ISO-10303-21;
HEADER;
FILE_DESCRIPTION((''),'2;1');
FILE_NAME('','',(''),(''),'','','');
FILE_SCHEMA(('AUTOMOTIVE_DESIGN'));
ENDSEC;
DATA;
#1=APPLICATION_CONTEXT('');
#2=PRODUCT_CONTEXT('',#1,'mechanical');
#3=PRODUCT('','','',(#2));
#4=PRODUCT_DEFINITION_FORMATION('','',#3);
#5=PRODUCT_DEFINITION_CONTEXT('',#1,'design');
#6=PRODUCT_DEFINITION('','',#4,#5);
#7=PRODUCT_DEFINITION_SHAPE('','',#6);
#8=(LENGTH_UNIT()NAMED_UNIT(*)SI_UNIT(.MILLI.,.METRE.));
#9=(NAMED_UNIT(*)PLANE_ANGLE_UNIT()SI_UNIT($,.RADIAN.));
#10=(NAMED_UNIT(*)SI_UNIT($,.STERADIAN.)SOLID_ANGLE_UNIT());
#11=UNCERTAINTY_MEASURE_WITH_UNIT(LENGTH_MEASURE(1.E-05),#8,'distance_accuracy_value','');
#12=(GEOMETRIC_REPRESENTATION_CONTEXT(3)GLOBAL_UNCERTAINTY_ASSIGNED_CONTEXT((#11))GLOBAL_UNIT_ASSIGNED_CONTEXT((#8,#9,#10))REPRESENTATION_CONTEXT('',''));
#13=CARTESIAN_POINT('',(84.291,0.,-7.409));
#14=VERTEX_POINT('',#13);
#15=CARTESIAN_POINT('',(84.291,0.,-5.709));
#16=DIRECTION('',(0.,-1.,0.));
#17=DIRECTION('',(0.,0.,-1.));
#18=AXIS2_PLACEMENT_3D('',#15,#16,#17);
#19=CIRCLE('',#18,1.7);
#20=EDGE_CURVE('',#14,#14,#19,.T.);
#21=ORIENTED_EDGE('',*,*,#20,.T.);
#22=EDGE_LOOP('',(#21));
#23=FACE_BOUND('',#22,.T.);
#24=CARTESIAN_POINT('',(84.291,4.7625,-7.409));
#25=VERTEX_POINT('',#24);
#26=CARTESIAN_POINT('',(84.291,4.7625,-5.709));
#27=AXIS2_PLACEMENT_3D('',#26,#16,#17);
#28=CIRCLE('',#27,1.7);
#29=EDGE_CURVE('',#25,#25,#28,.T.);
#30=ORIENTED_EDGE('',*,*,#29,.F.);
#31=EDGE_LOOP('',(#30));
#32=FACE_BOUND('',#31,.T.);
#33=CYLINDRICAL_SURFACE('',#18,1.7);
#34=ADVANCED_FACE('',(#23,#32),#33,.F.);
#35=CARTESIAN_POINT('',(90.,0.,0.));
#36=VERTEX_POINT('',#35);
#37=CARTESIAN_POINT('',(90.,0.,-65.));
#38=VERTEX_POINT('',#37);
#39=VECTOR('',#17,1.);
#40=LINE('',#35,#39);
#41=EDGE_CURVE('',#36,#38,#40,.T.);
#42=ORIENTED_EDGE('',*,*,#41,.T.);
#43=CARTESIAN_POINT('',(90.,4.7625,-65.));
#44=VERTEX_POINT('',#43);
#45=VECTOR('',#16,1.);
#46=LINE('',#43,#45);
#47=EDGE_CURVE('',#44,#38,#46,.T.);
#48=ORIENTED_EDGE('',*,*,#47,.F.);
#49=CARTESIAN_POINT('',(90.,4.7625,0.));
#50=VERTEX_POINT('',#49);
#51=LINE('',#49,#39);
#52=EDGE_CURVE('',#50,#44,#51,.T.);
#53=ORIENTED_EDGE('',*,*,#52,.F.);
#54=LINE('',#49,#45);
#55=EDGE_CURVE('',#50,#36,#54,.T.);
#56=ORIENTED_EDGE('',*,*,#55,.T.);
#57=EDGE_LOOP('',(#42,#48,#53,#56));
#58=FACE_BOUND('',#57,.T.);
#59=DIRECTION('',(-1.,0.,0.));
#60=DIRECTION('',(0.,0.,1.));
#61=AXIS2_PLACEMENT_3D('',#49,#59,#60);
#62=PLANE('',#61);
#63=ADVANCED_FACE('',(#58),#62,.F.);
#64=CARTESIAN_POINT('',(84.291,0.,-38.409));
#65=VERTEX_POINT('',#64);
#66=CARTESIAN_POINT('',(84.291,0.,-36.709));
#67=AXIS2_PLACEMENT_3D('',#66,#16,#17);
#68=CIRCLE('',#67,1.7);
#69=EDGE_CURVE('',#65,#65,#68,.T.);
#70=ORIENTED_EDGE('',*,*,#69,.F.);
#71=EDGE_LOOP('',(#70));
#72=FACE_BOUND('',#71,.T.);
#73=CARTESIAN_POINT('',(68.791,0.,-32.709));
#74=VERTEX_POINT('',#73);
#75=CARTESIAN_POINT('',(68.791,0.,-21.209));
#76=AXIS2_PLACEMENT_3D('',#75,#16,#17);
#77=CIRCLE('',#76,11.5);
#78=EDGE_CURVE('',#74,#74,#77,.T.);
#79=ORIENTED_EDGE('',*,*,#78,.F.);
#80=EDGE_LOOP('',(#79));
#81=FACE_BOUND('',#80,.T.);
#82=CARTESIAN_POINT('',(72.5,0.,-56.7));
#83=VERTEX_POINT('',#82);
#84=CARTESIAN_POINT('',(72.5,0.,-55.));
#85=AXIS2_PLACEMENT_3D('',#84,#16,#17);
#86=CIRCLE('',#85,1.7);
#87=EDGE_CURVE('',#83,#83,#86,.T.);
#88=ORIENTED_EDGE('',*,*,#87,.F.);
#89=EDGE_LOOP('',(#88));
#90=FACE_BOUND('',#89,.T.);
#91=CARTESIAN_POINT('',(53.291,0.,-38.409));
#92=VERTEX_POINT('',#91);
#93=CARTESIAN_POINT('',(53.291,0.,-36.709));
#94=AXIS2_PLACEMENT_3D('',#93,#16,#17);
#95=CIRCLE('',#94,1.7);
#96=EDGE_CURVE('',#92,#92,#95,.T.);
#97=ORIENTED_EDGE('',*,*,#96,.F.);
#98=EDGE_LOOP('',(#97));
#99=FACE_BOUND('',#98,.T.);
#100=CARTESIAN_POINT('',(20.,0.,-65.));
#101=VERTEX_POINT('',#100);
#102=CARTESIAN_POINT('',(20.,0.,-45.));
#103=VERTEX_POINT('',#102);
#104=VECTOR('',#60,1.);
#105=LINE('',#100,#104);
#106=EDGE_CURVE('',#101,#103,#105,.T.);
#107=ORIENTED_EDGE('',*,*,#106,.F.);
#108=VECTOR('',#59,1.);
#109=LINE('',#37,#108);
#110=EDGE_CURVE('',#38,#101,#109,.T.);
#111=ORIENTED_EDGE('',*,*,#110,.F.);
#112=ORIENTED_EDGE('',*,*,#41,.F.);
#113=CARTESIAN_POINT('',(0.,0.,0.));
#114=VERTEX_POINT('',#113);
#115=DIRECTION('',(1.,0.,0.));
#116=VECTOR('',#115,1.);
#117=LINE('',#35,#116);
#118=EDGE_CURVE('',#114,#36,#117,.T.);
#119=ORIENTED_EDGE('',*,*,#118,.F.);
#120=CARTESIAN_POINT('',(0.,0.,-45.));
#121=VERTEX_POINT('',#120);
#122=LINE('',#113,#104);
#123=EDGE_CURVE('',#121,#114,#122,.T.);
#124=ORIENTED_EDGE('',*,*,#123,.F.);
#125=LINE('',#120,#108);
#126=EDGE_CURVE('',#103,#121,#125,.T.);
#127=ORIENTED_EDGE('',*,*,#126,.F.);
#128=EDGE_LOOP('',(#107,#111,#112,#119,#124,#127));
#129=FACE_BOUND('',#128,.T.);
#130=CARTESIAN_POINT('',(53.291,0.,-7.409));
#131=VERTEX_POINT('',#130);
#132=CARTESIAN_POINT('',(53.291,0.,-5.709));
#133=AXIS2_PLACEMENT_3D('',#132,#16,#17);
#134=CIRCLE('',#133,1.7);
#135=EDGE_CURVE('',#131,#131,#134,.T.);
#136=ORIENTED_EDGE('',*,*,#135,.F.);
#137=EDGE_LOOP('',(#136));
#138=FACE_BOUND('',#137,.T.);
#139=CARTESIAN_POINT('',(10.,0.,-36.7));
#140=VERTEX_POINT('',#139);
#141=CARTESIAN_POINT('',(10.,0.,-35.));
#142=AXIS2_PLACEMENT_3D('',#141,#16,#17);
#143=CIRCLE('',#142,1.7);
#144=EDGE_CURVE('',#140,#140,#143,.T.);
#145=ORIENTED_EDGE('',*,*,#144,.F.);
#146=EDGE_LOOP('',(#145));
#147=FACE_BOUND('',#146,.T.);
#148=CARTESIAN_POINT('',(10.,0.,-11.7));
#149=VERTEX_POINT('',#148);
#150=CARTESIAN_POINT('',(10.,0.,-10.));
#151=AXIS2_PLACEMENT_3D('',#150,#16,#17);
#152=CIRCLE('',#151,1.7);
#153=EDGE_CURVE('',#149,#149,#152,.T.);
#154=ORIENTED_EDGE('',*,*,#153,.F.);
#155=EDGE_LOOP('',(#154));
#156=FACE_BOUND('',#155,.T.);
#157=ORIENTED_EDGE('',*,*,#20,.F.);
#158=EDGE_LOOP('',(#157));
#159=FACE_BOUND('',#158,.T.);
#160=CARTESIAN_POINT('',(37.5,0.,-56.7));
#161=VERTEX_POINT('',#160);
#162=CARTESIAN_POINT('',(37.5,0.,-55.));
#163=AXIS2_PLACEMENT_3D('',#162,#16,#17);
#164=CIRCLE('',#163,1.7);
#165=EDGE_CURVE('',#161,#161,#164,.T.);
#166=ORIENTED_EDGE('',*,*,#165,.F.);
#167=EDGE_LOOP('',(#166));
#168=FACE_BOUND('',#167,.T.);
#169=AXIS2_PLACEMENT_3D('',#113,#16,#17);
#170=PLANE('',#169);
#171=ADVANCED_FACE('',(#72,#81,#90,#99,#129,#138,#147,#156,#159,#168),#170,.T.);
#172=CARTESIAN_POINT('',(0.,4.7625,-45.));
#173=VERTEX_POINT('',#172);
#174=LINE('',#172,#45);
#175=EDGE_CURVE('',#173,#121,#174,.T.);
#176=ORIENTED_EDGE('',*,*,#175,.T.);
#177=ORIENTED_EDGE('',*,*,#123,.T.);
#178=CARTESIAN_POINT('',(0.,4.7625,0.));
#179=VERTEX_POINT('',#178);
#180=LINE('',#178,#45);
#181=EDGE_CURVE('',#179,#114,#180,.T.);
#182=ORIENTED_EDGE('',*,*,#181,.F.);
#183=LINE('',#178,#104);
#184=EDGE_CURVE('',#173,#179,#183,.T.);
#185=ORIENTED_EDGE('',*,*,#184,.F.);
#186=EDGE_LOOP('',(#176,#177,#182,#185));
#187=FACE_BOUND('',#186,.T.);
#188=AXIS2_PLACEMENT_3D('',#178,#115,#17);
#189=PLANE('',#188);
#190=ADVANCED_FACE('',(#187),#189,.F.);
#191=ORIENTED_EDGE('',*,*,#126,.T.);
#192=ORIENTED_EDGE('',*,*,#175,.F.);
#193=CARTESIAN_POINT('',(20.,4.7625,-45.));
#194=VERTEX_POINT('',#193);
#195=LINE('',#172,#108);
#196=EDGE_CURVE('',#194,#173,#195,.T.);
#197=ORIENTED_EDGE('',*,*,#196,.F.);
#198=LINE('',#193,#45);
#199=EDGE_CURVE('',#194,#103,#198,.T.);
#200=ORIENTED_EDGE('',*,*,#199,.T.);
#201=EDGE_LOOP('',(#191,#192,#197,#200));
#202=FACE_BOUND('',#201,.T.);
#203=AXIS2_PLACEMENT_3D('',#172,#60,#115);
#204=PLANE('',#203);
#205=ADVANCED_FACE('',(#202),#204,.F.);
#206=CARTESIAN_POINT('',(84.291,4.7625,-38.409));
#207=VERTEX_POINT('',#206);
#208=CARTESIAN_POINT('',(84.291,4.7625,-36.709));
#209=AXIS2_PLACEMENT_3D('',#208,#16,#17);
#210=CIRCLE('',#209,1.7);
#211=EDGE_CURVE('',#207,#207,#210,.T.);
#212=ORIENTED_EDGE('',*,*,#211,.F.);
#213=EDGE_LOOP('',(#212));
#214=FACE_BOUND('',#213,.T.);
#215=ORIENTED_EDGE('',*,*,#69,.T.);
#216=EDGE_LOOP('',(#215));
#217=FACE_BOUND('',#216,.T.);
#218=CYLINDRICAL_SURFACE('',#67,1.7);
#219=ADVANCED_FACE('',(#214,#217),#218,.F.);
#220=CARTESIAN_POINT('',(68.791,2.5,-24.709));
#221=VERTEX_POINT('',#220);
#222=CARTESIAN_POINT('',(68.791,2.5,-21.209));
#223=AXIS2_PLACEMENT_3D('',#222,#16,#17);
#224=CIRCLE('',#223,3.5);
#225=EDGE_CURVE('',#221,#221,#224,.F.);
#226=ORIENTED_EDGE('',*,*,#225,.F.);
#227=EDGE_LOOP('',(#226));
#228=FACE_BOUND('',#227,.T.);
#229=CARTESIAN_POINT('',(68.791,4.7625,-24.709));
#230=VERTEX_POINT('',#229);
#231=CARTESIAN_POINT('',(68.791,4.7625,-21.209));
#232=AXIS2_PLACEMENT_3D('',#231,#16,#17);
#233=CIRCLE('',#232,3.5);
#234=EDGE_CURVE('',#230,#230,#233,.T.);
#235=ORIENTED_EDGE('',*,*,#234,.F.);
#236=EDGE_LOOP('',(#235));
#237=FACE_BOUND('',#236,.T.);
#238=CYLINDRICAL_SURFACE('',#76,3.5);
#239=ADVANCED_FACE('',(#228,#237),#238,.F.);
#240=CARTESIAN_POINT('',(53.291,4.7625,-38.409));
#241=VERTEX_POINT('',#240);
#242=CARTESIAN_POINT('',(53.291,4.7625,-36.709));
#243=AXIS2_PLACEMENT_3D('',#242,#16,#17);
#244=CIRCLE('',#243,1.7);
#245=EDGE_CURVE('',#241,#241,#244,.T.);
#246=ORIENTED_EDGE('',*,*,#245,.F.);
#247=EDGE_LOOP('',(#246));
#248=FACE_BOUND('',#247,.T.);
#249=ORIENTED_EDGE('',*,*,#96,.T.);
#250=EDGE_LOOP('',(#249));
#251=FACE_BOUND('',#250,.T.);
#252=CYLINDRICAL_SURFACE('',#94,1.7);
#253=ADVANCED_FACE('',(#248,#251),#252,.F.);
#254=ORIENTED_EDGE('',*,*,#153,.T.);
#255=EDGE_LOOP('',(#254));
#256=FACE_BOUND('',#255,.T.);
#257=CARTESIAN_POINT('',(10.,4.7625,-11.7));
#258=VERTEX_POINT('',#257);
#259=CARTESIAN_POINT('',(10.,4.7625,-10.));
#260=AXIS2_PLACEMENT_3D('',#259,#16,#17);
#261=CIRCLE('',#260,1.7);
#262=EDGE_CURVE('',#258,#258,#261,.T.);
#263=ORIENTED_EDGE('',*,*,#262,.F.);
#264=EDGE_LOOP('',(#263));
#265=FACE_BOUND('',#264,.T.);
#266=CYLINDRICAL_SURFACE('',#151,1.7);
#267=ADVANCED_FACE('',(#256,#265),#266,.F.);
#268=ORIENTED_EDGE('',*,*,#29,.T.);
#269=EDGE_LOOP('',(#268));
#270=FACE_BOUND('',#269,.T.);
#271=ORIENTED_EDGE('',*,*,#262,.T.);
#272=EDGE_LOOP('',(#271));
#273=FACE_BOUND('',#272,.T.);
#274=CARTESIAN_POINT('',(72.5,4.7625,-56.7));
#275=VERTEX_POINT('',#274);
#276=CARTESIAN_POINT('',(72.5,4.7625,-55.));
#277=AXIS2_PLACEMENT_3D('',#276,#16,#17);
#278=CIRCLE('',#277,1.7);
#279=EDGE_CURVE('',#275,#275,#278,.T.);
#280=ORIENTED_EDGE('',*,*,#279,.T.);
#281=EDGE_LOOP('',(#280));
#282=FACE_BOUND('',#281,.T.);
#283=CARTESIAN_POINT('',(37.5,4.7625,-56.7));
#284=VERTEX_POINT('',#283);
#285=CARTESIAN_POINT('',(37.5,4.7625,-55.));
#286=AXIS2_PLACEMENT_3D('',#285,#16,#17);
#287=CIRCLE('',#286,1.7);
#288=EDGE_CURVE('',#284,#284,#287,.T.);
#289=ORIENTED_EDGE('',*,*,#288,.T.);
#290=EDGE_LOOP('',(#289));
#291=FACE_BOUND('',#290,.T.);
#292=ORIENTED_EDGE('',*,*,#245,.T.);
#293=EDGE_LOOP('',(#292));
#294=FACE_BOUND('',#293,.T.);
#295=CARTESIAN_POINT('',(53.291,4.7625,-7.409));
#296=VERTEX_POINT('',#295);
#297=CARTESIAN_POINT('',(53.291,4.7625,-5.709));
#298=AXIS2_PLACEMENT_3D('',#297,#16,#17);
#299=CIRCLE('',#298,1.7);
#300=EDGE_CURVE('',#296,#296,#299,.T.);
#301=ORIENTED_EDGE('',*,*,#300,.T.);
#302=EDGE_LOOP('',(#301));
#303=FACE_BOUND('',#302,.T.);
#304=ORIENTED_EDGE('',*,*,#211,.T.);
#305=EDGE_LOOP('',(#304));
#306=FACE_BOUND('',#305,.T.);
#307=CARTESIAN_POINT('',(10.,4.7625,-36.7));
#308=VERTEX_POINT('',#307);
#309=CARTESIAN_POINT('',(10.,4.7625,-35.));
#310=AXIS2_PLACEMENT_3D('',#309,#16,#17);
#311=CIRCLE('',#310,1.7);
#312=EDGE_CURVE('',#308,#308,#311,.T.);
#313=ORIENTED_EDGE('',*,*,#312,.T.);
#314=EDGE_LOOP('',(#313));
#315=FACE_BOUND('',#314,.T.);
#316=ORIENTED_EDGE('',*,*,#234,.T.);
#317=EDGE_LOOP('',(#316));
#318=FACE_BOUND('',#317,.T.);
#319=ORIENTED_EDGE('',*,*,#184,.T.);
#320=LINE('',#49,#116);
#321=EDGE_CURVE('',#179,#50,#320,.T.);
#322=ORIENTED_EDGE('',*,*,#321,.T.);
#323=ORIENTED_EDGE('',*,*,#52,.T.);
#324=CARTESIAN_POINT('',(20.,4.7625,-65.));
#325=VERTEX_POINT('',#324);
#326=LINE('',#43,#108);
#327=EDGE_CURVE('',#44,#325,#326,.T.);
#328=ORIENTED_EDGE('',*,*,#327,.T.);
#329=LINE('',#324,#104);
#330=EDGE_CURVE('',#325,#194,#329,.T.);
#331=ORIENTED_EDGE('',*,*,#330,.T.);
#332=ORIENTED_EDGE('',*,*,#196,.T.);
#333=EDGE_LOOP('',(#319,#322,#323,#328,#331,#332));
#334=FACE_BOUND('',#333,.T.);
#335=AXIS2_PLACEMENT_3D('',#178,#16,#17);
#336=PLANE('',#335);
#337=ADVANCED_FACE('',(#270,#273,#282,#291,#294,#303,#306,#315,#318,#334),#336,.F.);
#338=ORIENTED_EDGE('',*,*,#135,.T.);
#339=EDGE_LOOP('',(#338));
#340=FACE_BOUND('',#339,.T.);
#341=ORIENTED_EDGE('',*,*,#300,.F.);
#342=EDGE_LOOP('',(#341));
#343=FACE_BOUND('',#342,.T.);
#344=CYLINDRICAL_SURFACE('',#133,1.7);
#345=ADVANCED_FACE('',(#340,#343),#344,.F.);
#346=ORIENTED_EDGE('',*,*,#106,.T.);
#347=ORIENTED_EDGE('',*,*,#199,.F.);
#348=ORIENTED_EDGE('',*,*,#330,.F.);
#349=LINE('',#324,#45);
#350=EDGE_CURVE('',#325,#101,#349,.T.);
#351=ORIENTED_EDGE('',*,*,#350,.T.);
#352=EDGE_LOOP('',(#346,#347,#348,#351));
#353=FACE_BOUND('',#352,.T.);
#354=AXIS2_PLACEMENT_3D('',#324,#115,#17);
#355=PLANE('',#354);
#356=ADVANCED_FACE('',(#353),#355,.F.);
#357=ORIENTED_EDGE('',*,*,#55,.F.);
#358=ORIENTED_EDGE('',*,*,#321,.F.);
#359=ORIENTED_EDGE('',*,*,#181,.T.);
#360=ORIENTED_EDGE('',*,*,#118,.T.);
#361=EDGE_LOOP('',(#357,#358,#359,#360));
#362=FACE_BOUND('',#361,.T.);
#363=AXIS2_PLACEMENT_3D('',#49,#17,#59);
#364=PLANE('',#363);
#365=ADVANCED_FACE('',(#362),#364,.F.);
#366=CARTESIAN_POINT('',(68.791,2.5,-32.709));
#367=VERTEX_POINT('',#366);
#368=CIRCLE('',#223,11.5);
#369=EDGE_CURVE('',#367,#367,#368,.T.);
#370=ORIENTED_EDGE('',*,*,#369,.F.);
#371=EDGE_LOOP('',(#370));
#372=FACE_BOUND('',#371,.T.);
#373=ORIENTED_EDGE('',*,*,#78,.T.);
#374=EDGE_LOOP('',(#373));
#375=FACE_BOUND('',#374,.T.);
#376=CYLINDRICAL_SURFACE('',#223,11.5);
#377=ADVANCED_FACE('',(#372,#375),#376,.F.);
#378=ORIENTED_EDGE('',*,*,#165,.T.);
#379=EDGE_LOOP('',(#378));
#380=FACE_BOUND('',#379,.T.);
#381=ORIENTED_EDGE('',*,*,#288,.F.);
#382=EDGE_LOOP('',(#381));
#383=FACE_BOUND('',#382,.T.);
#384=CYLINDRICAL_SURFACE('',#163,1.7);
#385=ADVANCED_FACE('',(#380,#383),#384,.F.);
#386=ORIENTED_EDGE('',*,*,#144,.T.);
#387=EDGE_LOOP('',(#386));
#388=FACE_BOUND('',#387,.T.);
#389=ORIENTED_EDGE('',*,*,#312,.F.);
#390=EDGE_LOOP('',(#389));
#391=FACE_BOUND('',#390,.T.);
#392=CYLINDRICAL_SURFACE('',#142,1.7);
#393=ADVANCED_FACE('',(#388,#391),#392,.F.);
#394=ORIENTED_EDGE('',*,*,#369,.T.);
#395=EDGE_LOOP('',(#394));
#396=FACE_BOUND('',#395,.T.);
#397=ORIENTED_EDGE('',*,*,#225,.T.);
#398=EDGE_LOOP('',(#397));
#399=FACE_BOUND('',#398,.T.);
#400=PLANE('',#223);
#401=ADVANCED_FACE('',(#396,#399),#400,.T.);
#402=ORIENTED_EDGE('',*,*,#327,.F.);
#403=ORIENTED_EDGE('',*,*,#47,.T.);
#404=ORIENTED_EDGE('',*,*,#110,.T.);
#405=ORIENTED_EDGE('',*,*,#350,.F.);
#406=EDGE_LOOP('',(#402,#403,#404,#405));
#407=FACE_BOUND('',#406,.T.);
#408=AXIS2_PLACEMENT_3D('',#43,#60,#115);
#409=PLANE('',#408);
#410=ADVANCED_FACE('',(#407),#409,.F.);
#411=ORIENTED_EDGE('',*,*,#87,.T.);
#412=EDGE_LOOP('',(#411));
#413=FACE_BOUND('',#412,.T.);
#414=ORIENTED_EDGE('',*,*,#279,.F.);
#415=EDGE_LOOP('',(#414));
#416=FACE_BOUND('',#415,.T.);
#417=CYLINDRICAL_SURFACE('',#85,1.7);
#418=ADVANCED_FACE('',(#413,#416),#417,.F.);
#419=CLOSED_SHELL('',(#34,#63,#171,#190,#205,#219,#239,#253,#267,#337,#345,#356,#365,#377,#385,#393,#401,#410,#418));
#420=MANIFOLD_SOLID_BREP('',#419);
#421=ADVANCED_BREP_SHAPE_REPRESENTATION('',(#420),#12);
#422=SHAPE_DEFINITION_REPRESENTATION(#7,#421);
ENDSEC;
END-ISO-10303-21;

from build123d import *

# Parameters (mm, degrees)
BOSS_EXTRUDE1_DEPTH      = 4.7625
F_7_0_7_DIAMETER_HOLE1_D = 7
SKETCH12_R               = 11.5
CUT_EXTRUDE1_DEPTH       = 2.5
M3_CLEARANCE_HOLE1_D     = 3.4


with BuildPart() as part:
    # Sketch1 → Boss-Extrude1 (new body)
    with BuildSketch(Plane(origin=(0, 0, 0), x_dir=(1, 0, 0), z_dir=(0, 1, 0))):
        Polygon((0, 0), (0, 45), (20, 45), (20, 65), (90, 65), (90, 0), align=None)
    extrude(amount=BOSS_EXTRUDE1_DEPTH)

    # Ø7.0 (7) Diameter Hole1 (through all)
    with Locations(Plane(origin=(0, 0, 0), x_dir=(-1, 0, 0), z_dir=(0, -1, 0))):
        with Locations((-68.791, 21.209)):
            Hole(F_7_0_7_DIAMETER_HOLE1_D / 2)

    # Sketch12 → Cut-Extrude1 (cut)
    with BuildSketch(Plane.XZ):
        with Locations(Location((68.791, -21.209, 0), (0, 0, 270))):
            Circle(SKETCH12_R)
    extrude(amount=-CUT_EXTRUDE1_DEPTH, mode=Mode.SUBTRACT)

    # M3 Clearance Hole1 (through all)
    with Locations(Plane(origin=(0, 0, 0), x_dir=(-1, 0, 0), z_dir=(0, -1, 0))):
        with Locations((-10, 10), (-10, 35), (-37.5, 55), (-72.5, 55), (-84.291, 36.709), (-84.291, 5.709), (-53.291, 5.709), (-53.291, 36.709)):
            Hole(M3_CLEARANCE_HOLE1_D / 2)


solid = part.part
